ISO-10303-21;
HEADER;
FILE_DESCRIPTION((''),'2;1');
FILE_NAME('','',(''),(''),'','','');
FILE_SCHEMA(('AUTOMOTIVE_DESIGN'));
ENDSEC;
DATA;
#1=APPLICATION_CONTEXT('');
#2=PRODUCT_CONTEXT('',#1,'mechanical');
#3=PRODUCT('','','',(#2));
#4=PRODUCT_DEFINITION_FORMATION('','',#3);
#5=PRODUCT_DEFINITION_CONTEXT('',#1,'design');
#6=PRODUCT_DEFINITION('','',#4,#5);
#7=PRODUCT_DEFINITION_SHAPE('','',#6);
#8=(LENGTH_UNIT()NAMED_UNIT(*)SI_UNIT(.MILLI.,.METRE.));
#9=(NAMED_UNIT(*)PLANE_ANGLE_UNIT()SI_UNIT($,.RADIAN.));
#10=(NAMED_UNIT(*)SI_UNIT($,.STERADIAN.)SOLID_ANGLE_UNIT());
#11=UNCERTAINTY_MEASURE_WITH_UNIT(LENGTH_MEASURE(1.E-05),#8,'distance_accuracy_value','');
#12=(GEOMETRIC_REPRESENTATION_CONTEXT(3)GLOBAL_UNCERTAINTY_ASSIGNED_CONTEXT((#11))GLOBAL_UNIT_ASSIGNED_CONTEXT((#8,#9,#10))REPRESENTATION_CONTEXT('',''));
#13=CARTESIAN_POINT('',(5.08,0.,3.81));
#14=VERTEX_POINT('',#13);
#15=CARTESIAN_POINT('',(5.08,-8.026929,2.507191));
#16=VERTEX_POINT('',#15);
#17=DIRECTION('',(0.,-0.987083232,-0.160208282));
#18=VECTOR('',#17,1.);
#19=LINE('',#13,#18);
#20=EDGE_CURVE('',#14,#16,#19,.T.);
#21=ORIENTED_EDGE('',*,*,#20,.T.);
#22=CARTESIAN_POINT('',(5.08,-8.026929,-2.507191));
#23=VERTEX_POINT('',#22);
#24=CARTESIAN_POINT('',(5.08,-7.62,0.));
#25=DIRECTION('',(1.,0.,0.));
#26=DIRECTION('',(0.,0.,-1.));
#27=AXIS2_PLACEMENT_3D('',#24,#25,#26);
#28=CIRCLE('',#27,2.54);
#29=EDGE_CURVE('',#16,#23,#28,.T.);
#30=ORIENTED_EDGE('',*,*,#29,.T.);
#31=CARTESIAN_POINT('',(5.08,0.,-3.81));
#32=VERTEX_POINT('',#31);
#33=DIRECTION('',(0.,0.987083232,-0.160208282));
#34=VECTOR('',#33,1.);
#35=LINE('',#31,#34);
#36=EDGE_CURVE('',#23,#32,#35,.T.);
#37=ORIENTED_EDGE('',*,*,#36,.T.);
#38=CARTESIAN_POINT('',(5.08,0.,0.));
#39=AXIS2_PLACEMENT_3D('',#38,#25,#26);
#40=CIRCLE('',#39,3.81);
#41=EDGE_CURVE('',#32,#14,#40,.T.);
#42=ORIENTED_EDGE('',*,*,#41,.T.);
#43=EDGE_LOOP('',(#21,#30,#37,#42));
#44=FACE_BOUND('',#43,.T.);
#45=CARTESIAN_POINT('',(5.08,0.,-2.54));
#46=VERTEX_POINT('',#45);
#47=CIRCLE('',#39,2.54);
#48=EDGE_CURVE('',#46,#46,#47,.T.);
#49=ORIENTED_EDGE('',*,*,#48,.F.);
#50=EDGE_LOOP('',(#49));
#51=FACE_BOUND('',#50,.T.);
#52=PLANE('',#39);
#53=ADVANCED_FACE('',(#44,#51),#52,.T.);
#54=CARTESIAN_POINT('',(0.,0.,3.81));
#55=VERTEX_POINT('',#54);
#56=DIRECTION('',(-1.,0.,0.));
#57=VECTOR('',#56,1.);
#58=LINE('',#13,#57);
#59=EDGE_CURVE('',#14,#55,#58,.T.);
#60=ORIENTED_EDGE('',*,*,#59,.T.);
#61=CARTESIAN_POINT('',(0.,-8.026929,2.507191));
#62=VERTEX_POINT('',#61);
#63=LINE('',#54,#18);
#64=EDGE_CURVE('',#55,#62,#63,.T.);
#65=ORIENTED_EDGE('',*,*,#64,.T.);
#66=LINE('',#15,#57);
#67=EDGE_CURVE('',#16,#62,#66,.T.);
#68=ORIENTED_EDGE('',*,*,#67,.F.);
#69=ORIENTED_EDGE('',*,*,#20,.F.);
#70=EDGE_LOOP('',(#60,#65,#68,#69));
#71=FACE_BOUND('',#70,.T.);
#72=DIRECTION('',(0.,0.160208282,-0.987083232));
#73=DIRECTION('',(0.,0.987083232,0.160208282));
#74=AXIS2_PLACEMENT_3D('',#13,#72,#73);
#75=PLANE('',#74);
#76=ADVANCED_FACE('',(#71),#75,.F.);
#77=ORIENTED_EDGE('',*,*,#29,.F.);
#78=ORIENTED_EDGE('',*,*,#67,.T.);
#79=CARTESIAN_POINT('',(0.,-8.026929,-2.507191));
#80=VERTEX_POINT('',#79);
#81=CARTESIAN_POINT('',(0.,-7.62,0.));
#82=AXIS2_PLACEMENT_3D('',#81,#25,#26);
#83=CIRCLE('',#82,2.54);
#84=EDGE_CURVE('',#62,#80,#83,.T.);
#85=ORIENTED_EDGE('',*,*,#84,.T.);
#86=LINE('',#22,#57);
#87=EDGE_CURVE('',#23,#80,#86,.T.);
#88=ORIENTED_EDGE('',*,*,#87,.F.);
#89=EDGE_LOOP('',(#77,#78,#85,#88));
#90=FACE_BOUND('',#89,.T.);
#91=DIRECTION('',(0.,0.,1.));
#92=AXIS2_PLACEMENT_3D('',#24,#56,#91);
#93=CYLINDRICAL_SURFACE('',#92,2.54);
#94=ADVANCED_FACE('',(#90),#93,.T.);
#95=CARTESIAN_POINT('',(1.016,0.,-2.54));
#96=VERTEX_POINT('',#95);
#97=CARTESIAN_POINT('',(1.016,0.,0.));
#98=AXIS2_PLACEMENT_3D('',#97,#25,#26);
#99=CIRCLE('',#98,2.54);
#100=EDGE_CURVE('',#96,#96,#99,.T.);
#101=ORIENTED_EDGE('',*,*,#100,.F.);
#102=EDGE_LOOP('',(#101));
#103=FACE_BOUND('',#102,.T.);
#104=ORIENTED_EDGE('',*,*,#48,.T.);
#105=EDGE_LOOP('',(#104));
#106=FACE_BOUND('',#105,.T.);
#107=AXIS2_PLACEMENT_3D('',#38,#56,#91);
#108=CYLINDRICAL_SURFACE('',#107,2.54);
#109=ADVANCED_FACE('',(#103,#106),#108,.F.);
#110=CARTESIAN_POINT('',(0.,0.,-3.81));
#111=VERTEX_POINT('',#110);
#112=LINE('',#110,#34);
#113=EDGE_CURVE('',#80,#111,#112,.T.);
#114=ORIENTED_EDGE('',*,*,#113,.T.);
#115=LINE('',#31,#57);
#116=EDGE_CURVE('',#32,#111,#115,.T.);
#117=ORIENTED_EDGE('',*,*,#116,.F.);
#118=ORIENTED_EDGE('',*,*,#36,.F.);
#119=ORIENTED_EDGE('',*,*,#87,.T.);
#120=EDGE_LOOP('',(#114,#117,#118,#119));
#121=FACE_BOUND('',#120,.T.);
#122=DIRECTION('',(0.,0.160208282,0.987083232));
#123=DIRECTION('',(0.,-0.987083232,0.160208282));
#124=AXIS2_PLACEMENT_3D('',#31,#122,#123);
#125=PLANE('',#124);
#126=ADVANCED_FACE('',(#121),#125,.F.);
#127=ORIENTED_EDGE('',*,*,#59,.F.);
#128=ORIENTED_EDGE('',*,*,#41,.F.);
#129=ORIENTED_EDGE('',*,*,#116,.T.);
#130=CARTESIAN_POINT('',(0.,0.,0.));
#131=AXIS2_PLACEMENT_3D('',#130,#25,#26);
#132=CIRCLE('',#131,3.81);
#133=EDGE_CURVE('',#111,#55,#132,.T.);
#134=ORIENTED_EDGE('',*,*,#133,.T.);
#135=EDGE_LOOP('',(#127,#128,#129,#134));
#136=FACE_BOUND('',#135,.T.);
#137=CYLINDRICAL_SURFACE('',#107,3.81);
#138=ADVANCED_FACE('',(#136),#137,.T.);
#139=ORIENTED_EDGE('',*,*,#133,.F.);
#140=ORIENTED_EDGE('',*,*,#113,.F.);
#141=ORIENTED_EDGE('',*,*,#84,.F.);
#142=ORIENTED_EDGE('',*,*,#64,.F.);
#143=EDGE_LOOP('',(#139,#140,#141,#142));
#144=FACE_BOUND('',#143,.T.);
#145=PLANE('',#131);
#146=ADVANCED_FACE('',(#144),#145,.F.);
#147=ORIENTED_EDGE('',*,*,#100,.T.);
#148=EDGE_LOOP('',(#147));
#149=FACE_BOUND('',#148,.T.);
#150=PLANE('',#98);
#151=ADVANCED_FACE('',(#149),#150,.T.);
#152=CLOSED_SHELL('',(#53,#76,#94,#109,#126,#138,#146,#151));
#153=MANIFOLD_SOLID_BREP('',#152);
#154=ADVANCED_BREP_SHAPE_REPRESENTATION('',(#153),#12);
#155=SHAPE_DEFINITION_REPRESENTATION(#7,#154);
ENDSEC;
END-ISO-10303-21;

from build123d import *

# Parameters (mm, degrees)
SKETCH1_R           = 2.54
BOSS_EXTRUDE1_DEPTH = 5.08
SKETCH1_2_R         = 2.54
BOSS_EXTRUDE2_DEPTH = 1.016


with BuildPart() as part:
    # Sketch1 → Boss-Extrude1 (new body)
    with BuildSketch(Plane(origin=(0, 0, 0), x_dir=(0, 0, -1), z_dir=(1, 0, 0))):
        with BuildLine():
            Line((-3.81, 0), (-2.507191408, -8.026929038))
            ThreePointArc((-2.507191408, -8.026929038), (0, -10.16), (2.507191408, -8.026929038))
            Line((2.507191408, -8.026929038), (3.81, 0))
            ThreePointArc((3.81, 0), (0, 3.81), (-3.81, 0))
        make_face()
        Circle(SKETCH1_R, mode=Mode.SUBTRACT)
    extrude(amount=BOSS_EXTRUDE1_DEPTH)

    # Sketch1<2> → Boss-Extrude2 (add)
    with BuildSketch(Plane(origin=(0, 0, 0), x_dir=(0, 0, -1), z_dir=(1, 0, 0))):
        Circle(SKETCH1_2_R)
    extrude(amount=BOSS_EXTRUDE2_DEPTH)


solid = part.part
